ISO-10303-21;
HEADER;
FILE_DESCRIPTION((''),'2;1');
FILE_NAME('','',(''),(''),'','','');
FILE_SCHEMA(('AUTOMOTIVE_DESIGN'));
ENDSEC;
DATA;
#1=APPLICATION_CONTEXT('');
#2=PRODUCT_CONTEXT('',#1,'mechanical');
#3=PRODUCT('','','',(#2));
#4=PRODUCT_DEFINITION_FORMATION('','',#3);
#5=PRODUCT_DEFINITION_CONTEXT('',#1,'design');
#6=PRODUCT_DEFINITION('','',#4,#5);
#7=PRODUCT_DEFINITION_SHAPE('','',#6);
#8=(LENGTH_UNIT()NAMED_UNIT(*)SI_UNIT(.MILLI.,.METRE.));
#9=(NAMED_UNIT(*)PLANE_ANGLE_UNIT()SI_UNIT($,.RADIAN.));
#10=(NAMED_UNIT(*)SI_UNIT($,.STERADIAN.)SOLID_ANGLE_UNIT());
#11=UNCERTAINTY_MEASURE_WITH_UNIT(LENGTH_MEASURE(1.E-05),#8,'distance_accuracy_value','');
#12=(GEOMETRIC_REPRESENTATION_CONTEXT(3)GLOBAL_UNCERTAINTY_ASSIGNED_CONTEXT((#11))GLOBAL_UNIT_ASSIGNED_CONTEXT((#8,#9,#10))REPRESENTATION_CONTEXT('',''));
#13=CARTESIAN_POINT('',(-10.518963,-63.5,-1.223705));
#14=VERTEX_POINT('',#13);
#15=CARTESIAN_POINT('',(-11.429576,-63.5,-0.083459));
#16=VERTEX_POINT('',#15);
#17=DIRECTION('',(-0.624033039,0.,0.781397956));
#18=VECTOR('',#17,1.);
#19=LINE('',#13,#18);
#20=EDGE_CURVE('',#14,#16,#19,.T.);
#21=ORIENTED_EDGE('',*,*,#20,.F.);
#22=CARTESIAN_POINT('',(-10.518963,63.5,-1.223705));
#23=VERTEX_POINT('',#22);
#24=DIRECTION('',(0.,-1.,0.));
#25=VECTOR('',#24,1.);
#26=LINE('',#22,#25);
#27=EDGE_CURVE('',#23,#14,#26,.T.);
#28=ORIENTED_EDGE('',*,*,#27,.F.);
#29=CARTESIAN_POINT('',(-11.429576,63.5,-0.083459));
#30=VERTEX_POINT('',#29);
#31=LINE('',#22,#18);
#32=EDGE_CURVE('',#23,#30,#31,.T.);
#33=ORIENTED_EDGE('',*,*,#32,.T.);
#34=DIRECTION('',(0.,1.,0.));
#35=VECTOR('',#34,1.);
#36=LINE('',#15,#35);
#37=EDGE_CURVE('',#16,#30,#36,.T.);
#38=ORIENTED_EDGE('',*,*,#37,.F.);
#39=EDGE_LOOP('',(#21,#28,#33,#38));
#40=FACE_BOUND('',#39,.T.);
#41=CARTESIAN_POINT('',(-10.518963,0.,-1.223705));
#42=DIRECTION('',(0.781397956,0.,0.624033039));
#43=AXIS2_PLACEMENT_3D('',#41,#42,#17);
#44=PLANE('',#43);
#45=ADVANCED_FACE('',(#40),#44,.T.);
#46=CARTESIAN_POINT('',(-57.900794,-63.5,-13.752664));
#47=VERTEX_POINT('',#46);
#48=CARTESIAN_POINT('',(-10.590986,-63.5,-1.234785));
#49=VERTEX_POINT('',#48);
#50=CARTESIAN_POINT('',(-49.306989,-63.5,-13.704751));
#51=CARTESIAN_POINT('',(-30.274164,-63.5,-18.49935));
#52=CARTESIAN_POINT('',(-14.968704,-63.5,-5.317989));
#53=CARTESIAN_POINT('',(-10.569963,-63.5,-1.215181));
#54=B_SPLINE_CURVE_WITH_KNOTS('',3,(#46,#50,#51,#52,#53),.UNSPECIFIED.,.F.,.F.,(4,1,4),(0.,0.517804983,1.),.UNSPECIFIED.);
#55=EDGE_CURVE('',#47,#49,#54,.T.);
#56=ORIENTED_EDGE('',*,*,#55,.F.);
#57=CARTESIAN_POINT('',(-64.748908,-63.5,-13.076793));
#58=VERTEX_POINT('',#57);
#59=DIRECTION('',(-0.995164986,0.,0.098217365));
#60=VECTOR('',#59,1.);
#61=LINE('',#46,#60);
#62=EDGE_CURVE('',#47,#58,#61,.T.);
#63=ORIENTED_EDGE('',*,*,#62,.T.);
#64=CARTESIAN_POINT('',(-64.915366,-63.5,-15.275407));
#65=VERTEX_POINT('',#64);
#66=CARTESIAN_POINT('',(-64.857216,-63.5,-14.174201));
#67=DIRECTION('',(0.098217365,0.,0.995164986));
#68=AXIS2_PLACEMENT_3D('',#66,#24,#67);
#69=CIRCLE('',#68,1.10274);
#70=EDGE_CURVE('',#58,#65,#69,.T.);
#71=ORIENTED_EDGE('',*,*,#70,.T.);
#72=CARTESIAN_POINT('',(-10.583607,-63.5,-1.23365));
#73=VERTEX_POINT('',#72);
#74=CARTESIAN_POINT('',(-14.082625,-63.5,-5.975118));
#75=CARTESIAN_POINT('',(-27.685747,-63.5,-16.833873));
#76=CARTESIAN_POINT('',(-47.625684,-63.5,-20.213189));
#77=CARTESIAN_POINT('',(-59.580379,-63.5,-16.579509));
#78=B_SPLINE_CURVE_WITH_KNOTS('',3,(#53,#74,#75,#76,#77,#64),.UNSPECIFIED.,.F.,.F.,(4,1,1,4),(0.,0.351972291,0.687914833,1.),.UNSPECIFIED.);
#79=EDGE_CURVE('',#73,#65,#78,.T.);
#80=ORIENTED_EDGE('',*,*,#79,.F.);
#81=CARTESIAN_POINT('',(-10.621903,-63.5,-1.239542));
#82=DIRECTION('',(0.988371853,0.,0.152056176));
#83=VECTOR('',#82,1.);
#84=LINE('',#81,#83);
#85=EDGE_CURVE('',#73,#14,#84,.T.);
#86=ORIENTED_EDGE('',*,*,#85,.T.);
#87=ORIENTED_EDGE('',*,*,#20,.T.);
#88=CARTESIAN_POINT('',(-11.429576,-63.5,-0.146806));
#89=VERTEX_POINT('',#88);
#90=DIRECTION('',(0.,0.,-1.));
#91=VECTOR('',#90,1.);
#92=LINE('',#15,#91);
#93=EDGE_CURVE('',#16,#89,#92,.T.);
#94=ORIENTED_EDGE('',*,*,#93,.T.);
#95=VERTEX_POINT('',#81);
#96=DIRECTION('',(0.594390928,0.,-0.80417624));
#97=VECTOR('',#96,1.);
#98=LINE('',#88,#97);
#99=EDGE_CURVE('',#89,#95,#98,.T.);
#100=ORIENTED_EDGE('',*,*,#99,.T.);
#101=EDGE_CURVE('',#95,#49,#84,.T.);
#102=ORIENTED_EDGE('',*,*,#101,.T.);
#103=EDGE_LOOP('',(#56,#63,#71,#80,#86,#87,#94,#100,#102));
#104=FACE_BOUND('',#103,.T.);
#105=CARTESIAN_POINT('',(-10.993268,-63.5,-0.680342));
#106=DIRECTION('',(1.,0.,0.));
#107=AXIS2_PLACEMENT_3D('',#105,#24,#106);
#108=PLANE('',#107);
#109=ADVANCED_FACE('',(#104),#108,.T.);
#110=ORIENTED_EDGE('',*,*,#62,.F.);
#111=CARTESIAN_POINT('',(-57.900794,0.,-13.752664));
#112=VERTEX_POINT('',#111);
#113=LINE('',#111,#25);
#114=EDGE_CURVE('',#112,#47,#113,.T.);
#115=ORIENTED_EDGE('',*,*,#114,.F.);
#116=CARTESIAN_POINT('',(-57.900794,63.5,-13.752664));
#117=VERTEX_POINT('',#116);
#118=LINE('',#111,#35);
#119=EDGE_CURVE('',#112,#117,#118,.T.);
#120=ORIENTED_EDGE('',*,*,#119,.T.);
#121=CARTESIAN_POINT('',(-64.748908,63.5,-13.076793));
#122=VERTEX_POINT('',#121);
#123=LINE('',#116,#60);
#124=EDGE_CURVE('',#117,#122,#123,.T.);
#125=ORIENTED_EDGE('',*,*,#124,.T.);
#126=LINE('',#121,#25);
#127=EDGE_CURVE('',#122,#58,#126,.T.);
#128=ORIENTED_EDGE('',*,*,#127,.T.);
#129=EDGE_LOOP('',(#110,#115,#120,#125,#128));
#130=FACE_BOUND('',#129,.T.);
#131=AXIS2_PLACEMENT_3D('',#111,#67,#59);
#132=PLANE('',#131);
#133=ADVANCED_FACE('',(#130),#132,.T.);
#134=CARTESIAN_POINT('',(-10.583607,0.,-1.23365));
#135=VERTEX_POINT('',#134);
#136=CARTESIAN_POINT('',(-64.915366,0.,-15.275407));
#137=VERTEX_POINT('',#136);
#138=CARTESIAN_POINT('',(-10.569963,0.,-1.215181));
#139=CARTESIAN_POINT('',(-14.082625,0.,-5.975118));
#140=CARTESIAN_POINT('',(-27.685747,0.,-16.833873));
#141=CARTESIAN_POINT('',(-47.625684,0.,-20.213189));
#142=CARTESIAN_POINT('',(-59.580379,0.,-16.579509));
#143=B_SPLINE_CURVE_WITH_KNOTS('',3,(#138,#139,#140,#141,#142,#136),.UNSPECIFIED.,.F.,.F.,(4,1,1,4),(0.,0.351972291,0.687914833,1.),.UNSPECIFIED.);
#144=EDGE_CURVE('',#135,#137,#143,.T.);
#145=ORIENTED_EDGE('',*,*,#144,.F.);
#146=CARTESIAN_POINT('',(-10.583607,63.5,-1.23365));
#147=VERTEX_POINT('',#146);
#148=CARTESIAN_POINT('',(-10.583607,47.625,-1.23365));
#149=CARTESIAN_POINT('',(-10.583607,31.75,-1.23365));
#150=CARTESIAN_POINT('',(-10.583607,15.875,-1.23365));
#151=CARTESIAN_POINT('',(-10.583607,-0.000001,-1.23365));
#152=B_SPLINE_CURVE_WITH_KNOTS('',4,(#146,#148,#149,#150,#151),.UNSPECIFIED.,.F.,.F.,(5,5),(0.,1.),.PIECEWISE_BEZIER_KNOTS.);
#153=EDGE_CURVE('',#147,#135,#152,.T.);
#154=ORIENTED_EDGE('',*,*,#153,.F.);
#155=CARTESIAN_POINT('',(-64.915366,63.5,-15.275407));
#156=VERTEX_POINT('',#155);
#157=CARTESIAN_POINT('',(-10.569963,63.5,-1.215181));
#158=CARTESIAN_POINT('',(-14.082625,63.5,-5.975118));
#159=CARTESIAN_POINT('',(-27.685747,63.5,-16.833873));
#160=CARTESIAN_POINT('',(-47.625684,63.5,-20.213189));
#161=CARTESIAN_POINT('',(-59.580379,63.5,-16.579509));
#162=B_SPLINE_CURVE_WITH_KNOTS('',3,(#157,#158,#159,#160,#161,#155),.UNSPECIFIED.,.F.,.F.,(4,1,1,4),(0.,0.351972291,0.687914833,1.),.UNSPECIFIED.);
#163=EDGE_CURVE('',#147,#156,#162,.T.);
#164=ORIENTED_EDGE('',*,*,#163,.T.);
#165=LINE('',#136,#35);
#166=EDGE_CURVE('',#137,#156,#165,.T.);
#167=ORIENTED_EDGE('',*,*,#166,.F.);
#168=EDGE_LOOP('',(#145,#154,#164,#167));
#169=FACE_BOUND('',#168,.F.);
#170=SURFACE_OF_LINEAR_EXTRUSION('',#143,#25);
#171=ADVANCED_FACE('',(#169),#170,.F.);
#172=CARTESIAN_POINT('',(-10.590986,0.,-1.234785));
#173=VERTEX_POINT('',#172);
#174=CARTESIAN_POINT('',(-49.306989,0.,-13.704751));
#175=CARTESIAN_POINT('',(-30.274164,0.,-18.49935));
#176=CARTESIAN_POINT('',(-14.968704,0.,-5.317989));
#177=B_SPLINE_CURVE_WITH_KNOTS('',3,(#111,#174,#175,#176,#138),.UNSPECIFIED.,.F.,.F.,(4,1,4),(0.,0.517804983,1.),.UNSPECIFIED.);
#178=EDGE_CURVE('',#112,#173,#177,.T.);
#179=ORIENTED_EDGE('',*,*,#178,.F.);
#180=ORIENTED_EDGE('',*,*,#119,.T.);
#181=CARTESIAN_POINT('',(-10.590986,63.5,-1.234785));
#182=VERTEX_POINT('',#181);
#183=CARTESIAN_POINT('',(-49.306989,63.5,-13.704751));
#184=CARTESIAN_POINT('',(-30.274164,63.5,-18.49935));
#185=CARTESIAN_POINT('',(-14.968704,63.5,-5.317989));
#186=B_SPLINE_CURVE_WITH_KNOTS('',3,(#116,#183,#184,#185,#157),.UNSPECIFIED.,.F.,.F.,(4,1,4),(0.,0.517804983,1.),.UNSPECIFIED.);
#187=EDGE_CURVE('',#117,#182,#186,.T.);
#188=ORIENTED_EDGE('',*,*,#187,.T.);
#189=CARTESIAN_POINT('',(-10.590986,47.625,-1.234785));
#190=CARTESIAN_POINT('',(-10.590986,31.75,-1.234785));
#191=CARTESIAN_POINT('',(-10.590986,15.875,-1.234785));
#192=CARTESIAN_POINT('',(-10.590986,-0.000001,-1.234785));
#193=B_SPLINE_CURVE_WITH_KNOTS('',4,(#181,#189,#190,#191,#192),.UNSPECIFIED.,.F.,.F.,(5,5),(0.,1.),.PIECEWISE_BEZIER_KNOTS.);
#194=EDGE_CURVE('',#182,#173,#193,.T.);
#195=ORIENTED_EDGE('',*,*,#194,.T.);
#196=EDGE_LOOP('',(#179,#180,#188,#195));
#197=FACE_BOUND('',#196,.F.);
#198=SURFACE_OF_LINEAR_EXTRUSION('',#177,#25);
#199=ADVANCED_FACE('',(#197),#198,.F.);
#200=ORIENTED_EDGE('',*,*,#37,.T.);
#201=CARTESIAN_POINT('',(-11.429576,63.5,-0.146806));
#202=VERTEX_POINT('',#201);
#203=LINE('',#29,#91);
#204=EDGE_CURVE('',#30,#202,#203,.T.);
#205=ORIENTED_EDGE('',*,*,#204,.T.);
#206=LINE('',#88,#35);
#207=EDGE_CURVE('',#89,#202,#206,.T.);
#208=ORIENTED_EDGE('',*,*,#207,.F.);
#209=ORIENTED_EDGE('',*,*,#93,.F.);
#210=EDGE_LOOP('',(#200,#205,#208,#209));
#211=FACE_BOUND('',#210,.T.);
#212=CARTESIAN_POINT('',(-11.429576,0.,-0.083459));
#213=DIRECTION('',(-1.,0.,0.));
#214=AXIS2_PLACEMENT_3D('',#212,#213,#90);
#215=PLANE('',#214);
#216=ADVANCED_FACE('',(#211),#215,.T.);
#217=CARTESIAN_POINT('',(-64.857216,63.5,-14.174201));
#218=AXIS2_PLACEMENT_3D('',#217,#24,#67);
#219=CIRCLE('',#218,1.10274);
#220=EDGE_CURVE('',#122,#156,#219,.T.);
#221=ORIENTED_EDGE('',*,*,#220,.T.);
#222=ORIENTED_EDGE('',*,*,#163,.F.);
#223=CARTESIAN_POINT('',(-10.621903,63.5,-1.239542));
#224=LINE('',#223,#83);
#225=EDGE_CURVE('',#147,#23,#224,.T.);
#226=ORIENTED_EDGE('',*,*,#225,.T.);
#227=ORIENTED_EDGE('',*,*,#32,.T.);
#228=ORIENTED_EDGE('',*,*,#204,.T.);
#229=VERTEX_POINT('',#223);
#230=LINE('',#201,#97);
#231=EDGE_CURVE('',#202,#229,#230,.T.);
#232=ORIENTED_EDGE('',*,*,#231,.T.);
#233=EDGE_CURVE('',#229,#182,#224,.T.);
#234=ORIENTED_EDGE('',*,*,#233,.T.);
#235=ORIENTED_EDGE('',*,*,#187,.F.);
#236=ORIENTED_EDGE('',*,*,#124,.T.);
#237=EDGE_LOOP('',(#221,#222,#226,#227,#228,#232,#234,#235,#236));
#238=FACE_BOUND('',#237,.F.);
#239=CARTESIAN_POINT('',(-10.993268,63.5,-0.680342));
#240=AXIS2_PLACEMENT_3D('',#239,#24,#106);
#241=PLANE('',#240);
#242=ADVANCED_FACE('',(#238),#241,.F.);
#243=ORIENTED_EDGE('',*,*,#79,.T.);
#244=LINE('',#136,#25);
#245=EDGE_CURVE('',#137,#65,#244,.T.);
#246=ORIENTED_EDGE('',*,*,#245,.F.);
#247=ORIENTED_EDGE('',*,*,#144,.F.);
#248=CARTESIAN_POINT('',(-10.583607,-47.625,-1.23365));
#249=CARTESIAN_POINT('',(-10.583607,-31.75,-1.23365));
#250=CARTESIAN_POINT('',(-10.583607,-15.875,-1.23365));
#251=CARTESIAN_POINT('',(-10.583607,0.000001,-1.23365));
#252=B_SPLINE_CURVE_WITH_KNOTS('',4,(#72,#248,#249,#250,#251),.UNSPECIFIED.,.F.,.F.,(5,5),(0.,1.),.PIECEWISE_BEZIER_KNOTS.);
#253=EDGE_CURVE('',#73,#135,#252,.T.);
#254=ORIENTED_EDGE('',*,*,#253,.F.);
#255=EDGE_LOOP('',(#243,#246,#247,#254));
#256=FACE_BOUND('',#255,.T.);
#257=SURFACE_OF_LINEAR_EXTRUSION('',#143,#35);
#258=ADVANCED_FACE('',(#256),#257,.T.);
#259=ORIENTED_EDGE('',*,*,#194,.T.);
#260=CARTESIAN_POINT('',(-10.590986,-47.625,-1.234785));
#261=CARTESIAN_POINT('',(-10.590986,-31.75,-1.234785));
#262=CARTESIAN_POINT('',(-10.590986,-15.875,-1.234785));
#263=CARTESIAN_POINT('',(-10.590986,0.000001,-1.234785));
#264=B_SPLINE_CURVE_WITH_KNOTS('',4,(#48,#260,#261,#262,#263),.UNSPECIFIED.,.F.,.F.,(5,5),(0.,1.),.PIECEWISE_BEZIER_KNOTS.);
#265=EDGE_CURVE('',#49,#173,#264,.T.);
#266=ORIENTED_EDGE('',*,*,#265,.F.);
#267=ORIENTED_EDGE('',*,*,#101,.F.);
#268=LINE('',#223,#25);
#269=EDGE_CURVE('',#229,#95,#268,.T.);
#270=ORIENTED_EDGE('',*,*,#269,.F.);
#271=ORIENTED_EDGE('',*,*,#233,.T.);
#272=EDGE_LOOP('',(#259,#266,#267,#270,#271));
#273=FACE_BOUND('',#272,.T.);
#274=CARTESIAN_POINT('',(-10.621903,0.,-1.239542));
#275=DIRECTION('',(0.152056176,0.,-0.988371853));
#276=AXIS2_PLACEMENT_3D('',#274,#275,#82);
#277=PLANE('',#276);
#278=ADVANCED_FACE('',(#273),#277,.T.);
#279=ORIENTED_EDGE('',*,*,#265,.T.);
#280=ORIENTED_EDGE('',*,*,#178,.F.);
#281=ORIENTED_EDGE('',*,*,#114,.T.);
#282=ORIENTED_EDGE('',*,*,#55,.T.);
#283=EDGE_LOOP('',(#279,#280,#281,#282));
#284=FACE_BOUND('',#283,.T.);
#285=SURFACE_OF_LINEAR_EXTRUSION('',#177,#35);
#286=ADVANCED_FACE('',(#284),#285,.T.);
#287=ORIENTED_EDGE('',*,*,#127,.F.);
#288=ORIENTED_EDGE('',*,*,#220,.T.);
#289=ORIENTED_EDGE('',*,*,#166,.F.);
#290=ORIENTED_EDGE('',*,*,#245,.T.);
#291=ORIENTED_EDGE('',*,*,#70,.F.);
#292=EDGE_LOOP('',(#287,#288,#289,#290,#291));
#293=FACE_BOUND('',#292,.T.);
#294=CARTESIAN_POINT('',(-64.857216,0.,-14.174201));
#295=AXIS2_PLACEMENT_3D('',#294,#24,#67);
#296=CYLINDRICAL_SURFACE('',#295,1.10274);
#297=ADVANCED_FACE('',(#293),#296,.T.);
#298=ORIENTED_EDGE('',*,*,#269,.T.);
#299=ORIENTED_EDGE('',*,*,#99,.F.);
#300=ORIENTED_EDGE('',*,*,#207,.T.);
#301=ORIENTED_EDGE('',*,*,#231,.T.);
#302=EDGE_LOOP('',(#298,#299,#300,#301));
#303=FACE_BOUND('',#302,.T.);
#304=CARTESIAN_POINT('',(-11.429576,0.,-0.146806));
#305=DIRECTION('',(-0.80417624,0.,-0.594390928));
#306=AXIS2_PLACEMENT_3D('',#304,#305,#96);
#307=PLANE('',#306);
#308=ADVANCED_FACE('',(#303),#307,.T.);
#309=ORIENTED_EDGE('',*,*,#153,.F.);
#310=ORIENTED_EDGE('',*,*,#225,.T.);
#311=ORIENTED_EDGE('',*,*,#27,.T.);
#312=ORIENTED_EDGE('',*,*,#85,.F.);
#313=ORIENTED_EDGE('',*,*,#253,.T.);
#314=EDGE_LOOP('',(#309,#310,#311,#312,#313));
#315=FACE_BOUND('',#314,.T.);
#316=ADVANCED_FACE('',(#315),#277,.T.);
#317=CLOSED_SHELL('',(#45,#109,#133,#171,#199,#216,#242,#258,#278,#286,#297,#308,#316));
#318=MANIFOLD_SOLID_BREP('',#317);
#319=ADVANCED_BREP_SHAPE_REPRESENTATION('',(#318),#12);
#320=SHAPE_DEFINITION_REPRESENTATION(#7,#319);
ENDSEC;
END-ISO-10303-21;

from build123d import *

# Parameters (mm, degrees)
F1_DEPTH = 63.5
F3_DEPTH = 63.5


with BuildPart() as f1:
    # F0 (on Front) → F1 (new body, symmetric)
    with BuildSketch(Plane.XZ):
        with BuildLine():
            Line((-57.9007938504, -13.7526644394), (-64.748907707, -13.0767928915))
            ThreePointArc((-64.748907707, -13.0767928915), (-65.9568088231, -14.0909499965), (-64.9153664708, -15.2754066512))
            add(Edge.make_bspline(
                [(-10.5699629883, -1.2151806246), (-14.0826247393, -5.9751178665), (-27.6857466292, -16.8338727076), (-47.6256841269, -20.2131886892), (-59.5803791582, -16.5795090755), (-64.9153664708, -15.2754066512)],
                knots=[0, 0, 0, 0, 0.3519722912, 0.6879148332, 1, 1, 1, 1], degree=3))
            add(Edge.make_bspline(
                [(-57.9007938504, -13.7526644394), (-49.3069887107, -13.7047512363), (-30.2741641227, -18.4993497812), (-14.9687040275, -5.3179887418), (-10.5699629883, -1.2151806246)],
                knots=[0, 0, 0, 0, 0.5178049827, 1, 1, 1, 1], degree=3))
        make_face()
    extrude(amount=F1_DEPTH, both=True)

    # F2 (on Front) → F3 (join, symmetric)
    with BuildSketch(Plane.XZ):
        Polygon((-11.4295762032, -0.1468062255), (-10.6219025329, -1.2395415688), (-10.5189634487, -1.2237048941), (-11.4295762032, -0.0834592647), align=None)
    extrude(amount=F3_DEPTH, both=True)


solid = f1.part
